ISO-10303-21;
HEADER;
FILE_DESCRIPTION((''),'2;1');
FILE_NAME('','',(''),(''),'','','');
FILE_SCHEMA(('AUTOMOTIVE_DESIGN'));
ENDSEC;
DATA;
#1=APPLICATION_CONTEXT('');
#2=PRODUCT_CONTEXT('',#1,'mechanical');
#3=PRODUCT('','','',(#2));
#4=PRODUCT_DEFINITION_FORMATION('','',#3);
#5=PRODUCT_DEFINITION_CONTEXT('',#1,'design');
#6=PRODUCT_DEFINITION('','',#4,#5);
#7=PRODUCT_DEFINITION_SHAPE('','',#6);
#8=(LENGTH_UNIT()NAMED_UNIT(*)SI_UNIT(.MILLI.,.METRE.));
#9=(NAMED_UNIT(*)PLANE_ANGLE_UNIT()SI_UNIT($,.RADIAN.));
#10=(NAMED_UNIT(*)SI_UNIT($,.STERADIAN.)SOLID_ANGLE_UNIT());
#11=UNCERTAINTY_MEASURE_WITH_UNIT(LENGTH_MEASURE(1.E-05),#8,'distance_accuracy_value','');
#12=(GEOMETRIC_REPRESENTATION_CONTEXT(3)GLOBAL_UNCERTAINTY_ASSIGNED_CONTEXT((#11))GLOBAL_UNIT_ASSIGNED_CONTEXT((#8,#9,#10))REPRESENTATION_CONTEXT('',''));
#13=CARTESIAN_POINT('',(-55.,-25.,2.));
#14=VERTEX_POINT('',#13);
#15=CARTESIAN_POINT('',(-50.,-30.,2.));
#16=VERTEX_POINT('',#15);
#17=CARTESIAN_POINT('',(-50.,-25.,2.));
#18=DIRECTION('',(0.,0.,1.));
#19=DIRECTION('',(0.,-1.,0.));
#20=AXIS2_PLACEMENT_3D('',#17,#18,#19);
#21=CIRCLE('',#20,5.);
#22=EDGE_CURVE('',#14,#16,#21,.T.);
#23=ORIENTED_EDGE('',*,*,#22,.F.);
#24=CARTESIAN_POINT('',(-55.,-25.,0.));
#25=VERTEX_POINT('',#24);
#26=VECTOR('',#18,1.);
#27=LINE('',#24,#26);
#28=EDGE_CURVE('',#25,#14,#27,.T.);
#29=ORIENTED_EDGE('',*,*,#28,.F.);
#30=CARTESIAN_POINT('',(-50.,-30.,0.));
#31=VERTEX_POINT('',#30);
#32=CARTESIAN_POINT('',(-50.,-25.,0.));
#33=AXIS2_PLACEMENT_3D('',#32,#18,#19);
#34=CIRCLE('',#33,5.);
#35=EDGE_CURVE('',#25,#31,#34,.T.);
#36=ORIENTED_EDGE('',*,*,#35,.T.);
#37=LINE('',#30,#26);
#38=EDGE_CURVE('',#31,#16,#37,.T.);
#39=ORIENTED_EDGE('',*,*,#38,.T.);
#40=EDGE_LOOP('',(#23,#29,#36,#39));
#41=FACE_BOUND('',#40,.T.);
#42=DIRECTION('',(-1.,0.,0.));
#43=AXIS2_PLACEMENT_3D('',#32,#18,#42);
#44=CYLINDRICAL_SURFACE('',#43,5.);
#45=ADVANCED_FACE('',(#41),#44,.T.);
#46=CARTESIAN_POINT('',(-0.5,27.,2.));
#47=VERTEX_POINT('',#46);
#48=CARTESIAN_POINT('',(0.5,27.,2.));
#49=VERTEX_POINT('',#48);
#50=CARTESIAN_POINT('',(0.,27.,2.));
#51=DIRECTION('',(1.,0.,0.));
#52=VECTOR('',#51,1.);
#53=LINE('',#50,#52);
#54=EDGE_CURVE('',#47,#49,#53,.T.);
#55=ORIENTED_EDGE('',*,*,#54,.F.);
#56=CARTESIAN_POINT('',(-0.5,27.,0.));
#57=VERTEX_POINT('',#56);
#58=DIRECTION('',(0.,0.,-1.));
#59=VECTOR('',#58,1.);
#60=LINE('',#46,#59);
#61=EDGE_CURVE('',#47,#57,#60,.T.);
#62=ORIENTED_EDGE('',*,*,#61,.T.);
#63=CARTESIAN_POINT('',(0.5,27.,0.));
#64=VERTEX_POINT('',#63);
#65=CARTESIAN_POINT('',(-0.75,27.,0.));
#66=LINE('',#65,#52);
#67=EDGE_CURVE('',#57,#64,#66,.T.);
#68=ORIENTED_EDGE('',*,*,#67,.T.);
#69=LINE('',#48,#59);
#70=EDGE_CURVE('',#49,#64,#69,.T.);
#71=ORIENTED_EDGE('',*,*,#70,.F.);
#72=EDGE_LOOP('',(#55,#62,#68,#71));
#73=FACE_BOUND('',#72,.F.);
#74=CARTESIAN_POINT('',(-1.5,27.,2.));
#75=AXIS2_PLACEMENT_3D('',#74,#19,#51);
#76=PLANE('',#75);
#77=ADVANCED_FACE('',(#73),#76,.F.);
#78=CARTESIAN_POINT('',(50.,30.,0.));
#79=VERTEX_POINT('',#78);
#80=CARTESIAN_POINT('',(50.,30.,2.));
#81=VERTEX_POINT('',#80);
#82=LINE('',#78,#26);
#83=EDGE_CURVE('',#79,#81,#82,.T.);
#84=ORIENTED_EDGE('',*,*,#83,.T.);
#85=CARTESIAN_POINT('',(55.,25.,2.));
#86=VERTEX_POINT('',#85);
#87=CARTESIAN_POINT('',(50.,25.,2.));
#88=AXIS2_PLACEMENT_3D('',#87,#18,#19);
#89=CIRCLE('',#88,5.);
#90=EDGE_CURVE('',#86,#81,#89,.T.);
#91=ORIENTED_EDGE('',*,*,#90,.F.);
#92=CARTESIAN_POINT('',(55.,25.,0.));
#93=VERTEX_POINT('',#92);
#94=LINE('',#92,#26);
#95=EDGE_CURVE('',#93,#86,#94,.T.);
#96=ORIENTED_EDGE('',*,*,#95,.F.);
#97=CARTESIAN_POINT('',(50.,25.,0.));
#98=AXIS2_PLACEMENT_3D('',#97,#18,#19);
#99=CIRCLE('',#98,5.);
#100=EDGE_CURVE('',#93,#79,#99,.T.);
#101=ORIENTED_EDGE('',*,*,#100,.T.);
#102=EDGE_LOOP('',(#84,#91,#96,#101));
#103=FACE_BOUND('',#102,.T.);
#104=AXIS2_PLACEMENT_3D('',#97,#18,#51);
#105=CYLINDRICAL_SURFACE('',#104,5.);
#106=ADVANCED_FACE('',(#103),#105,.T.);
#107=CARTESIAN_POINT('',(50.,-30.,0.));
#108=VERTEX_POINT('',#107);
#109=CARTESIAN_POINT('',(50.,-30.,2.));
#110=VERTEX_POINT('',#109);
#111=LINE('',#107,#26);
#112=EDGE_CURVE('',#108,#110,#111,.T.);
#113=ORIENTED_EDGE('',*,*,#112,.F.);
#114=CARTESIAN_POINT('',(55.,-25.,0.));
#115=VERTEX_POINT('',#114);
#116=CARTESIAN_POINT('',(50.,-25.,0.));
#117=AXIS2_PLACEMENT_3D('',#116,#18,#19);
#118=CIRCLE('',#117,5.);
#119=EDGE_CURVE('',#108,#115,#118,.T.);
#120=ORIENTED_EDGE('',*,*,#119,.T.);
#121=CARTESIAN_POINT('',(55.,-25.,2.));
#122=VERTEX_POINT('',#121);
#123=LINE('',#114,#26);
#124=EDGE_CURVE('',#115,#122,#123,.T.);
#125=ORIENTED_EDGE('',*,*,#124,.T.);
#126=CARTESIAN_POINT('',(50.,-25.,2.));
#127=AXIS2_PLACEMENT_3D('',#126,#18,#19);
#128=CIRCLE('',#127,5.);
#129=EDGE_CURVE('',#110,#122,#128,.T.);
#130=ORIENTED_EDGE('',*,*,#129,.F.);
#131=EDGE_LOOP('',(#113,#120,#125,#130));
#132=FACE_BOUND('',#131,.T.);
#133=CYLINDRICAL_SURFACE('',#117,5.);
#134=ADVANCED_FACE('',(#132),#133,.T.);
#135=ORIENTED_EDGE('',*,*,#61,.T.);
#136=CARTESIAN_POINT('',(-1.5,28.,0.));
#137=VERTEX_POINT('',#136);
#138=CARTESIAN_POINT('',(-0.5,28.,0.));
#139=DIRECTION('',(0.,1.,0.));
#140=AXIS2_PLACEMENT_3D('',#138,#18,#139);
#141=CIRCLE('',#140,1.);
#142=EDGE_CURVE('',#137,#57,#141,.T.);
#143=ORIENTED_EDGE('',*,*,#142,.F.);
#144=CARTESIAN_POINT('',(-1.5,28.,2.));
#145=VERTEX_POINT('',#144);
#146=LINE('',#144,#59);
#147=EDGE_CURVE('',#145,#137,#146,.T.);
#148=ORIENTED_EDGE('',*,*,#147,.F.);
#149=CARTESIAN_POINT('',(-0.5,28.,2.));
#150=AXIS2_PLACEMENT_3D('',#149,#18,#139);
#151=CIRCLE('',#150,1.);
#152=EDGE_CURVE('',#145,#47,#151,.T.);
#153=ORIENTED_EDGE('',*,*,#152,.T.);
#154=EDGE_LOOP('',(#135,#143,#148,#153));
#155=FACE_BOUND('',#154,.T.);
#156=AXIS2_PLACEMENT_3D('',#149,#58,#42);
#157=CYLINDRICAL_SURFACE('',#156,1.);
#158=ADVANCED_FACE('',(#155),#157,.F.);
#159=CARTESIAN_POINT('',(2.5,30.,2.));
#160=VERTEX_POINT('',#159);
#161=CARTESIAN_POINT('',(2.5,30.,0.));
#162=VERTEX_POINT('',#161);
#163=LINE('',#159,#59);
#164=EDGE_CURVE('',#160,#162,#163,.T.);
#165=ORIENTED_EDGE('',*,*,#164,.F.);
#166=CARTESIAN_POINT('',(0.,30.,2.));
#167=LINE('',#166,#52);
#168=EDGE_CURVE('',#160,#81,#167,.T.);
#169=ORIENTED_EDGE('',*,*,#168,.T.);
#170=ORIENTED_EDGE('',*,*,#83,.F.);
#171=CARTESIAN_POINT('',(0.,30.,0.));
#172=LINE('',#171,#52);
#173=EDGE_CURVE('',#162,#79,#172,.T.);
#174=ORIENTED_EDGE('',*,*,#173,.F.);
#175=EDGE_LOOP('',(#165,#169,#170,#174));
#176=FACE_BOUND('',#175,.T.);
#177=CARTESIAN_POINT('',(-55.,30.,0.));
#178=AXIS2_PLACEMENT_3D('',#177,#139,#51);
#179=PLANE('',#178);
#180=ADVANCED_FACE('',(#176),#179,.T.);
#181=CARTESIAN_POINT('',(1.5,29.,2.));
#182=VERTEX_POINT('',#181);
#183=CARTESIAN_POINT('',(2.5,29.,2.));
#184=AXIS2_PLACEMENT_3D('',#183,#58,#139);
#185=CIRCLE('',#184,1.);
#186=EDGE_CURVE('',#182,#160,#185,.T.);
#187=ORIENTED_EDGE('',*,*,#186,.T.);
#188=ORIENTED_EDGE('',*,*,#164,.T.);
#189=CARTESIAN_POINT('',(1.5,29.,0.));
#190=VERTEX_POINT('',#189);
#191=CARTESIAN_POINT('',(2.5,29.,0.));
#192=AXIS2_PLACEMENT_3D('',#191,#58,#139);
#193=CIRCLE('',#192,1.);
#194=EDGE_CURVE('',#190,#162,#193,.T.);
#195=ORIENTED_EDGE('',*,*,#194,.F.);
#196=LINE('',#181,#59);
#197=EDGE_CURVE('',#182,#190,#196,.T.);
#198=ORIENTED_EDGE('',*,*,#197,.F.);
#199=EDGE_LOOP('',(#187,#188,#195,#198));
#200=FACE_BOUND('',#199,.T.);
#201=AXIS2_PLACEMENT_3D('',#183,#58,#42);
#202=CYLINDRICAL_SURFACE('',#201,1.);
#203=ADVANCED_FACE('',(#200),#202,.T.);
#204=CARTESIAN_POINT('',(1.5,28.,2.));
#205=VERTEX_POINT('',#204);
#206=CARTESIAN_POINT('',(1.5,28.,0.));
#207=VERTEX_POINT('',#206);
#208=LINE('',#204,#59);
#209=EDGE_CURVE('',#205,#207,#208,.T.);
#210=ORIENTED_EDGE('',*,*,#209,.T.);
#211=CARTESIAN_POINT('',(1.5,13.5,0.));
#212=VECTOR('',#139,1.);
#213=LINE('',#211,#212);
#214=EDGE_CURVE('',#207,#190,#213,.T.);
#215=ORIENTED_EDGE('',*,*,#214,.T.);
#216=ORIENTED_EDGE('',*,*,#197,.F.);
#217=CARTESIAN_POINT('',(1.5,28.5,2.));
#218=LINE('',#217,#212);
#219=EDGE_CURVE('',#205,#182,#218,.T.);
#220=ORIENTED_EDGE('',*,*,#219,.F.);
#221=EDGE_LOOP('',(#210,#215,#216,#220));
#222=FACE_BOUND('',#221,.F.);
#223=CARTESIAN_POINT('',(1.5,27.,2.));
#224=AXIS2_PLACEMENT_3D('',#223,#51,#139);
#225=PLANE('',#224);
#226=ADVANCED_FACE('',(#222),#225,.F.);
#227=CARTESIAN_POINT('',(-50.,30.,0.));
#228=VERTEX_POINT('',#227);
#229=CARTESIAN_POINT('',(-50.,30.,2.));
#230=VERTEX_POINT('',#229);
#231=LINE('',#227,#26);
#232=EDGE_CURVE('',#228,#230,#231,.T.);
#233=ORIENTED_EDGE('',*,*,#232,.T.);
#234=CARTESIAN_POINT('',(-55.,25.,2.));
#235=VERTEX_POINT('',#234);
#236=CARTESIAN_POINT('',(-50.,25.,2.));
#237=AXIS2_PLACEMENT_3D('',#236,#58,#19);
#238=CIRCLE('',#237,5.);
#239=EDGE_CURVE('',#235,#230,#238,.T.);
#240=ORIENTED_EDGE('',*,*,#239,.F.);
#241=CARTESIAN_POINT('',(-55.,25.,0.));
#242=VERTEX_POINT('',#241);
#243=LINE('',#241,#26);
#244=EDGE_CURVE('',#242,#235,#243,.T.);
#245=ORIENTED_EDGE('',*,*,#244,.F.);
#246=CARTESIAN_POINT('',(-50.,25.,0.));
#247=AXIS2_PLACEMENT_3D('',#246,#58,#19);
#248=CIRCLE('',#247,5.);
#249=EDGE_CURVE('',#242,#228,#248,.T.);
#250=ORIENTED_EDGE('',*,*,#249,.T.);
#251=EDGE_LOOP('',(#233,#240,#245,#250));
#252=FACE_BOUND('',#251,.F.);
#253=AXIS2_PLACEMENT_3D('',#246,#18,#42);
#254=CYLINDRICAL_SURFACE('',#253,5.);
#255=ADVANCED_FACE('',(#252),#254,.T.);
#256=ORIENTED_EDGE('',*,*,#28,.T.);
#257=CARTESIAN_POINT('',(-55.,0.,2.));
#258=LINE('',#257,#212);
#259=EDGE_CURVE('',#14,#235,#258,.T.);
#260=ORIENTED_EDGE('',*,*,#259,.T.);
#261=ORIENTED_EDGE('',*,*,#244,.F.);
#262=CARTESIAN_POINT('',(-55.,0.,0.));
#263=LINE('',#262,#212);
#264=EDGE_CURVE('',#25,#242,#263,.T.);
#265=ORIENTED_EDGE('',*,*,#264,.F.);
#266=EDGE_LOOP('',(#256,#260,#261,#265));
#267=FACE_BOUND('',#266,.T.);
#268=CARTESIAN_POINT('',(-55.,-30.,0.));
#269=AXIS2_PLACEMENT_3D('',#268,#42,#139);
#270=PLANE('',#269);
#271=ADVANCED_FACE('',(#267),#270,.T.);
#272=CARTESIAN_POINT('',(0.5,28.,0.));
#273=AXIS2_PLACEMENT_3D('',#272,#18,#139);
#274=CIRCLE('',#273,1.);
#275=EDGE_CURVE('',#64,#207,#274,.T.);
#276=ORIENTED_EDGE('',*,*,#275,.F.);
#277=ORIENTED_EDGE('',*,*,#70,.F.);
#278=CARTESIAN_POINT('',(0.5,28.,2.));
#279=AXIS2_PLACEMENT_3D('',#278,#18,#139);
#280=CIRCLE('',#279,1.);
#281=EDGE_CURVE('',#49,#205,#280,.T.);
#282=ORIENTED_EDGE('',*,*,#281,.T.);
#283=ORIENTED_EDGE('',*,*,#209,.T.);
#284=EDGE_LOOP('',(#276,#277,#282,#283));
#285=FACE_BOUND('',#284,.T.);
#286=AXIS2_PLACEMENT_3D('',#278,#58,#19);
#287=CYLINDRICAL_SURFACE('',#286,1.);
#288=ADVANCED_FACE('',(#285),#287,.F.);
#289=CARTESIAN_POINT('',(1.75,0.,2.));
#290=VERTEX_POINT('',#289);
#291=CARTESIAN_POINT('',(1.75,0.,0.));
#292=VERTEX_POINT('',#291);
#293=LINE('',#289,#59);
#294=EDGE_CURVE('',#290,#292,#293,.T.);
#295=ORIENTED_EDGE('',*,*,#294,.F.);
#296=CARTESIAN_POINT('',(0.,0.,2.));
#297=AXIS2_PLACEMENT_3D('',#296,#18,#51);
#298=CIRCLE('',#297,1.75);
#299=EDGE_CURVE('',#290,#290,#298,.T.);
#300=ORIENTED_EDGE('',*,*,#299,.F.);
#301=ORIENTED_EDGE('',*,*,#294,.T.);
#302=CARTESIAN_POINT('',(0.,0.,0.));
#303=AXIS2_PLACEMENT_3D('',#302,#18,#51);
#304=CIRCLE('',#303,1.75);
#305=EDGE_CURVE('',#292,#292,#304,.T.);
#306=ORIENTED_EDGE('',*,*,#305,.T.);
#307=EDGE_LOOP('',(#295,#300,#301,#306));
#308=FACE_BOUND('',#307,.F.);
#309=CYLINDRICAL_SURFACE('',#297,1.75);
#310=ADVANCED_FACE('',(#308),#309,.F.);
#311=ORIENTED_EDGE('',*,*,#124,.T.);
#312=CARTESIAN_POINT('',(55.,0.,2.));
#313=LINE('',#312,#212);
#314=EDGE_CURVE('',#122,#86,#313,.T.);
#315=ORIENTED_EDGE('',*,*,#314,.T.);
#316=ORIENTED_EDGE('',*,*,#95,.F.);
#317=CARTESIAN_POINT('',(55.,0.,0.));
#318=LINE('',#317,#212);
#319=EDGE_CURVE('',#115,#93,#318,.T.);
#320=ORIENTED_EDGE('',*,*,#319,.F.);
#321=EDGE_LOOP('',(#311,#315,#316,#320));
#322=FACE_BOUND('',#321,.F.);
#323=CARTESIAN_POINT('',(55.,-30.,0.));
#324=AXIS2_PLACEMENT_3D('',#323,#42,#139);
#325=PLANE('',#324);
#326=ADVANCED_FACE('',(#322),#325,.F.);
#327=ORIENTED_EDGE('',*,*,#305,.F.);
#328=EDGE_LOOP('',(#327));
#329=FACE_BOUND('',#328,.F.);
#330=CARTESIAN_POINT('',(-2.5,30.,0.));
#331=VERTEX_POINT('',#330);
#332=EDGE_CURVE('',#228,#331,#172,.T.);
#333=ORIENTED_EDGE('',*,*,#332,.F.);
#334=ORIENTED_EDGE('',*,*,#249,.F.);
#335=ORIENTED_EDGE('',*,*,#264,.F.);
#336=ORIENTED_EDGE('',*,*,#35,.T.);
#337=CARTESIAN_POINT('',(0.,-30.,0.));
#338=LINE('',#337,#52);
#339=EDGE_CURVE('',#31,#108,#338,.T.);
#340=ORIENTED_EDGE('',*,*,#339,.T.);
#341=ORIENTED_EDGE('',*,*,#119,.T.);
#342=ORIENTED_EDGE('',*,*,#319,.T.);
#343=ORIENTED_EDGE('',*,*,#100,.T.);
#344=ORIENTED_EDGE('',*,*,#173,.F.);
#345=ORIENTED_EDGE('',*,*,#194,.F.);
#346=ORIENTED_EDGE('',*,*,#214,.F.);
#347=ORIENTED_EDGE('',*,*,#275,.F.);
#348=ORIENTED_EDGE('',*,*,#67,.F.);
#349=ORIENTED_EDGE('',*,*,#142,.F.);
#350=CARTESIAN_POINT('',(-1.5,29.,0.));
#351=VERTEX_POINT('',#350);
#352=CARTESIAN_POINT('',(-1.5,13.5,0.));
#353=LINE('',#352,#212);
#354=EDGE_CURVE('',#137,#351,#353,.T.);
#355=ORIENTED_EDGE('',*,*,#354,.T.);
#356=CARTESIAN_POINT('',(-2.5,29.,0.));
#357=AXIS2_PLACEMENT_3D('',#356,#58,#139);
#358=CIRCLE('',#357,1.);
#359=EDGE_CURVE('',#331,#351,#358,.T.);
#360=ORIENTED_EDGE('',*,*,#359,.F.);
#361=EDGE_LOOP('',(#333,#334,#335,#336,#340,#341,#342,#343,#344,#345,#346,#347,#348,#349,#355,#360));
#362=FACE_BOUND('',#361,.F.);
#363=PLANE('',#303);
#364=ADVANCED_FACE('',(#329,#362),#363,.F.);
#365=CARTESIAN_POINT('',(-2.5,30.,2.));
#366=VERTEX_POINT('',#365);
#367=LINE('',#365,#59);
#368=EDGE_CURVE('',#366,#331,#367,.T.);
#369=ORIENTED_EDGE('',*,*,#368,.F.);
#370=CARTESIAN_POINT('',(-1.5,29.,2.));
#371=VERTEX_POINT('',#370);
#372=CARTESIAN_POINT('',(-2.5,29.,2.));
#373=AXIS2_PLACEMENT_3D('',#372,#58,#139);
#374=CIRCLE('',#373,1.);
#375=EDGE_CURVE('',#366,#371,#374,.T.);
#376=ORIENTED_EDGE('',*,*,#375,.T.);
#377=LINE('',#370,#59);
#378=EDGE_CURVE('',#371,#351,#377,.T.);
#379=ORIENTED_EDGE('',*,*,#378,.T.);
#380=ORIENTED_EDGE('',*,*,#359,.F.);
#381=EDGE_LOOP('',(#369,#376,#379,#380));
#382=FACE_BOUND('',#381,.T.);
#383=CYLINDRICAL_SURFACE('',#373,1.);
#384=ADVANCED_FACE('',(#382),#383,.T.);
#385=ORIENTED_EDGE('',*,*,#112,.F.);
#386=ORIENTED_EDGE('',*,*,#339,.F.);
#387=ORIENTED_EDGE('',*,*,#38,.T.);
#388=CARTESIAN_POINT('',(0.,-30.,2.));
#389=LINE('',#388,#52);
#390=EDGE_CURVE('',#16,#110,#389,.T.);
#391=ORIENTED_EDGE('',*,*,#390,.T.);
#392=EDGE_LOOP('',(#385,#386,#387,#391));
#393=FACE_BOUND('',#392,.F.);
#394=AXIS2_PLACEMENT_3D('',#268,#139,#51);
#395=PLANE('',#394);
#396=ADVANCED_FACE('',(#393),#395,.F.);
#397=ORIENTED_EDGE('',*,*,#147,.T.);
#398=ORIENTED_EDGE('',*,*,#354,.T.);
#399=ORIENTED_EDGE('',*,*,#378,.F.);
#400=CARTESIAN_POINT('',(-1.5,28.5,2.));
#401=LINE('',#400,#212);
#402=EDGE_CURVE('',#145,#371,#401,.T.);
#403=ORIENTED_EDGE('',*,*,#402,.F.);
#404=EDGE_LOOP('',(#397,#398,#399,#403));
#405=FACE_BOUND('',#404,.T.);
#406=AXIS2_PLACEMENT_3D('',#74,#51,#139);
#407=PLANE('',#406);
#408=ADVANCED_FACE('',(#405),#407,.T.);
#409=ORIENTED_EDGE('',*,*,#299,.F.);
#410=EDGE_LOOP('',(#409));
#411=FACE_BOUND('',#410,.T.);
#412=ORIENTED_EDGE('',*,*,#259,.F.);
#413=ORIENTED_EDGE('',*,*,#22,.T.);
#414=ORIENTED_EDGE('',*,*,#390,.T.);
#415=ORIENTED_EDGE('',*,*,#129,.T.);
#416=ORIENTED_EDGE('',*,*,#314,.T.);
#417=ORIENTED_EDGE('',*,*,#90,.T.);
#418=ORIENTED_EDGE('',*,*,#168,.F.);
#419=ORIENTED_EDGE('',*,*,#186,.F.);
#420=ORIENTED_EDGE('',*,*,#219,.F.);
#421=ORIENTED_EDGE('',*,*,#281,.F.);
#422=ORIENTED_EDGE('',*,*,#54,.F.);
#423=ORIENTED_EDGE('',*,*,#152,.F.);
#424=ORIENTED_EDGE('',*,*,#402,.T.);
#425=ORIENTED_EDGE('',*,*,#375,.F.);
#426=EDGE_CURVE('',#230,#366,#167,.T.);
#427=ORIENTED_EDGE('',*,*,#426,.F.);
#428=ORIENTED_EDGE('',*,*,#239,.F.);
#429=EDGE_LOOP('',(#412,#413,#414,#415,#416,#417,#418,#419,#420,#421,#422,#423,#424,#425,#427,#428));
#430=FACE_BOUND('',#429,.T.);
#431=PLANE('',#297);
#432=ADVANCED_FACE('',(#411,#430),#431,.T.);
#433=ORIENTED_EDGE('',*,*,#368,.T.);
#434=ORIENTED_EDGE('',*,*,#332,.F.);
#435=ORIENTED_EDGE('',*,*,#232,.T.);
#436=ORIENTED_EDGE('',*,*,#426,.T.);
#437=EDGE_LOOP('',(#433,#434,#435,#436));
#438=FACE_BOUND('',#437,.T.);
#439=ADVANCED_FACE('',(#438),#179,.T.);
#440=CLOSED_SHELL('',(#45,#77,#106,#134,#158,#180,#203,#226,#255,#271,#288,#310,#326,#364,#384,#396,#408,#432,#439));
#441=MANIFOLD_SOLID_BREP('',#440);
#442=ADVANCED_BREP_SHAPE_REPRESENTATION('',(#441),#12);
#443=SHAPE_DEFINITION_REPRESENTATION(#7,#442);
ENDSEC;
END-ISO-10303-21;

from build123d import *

# Parameters (mm, degrees)
F0_W     = 110
F0_H     = 60
F1_DEPTH = 2
F2_R     = 5
F3_W     = 3
F3_H     = 3
F4_DEPTH = 25
F5_R     = 1
F6_R     = 1.75
F7_DEPTH = 25


with BuildPart() as f1:
    # F0 (on Top) → F1 (new body)
    with BuildSketch(Plane.XY):
        Rectangle(F0_W, F0_H)
    extrude(amount=F1_DEPTH)

    # F2
    f2_edges = [f1.edges().sort_by_distance(p)[0] for p in [
        (55, -30, 1),
        (55, 30, 1),
        (-55, 30, 1),
        (-55, -30, 1),
    ]]
    fillet(f2_edges, radius=F2_R)

    # F3 (on face) → F4 (cut)
    with BuildSketch(Plane.XY.offset(2)):
        with Locations((0, 28.5)):
            Rectangle(F3_W, F3_H)
    extrude(amount=-F4_DEPTH, mode=Mode.SUBTRACT)

    # F5
    f5_edges = [f1.edges().sort_by_distance(p)[0] for p in [
        (-1.5, 30, 1),
        (-1.5, 27, 1),
        (1.5, 27, 1),
        (1.5, 30, 1),
    ]]
    fillet(f5_edges, radius=F5_R)

    # F6 (on face) → F7 (cut)
    with BuildSketch(Plane.XY.offset(2)):
        Circle(F6_R)
    extrude(amount=-F7_DEPTH, mode=Mode.SUBTRACT)


solid = f1.part
